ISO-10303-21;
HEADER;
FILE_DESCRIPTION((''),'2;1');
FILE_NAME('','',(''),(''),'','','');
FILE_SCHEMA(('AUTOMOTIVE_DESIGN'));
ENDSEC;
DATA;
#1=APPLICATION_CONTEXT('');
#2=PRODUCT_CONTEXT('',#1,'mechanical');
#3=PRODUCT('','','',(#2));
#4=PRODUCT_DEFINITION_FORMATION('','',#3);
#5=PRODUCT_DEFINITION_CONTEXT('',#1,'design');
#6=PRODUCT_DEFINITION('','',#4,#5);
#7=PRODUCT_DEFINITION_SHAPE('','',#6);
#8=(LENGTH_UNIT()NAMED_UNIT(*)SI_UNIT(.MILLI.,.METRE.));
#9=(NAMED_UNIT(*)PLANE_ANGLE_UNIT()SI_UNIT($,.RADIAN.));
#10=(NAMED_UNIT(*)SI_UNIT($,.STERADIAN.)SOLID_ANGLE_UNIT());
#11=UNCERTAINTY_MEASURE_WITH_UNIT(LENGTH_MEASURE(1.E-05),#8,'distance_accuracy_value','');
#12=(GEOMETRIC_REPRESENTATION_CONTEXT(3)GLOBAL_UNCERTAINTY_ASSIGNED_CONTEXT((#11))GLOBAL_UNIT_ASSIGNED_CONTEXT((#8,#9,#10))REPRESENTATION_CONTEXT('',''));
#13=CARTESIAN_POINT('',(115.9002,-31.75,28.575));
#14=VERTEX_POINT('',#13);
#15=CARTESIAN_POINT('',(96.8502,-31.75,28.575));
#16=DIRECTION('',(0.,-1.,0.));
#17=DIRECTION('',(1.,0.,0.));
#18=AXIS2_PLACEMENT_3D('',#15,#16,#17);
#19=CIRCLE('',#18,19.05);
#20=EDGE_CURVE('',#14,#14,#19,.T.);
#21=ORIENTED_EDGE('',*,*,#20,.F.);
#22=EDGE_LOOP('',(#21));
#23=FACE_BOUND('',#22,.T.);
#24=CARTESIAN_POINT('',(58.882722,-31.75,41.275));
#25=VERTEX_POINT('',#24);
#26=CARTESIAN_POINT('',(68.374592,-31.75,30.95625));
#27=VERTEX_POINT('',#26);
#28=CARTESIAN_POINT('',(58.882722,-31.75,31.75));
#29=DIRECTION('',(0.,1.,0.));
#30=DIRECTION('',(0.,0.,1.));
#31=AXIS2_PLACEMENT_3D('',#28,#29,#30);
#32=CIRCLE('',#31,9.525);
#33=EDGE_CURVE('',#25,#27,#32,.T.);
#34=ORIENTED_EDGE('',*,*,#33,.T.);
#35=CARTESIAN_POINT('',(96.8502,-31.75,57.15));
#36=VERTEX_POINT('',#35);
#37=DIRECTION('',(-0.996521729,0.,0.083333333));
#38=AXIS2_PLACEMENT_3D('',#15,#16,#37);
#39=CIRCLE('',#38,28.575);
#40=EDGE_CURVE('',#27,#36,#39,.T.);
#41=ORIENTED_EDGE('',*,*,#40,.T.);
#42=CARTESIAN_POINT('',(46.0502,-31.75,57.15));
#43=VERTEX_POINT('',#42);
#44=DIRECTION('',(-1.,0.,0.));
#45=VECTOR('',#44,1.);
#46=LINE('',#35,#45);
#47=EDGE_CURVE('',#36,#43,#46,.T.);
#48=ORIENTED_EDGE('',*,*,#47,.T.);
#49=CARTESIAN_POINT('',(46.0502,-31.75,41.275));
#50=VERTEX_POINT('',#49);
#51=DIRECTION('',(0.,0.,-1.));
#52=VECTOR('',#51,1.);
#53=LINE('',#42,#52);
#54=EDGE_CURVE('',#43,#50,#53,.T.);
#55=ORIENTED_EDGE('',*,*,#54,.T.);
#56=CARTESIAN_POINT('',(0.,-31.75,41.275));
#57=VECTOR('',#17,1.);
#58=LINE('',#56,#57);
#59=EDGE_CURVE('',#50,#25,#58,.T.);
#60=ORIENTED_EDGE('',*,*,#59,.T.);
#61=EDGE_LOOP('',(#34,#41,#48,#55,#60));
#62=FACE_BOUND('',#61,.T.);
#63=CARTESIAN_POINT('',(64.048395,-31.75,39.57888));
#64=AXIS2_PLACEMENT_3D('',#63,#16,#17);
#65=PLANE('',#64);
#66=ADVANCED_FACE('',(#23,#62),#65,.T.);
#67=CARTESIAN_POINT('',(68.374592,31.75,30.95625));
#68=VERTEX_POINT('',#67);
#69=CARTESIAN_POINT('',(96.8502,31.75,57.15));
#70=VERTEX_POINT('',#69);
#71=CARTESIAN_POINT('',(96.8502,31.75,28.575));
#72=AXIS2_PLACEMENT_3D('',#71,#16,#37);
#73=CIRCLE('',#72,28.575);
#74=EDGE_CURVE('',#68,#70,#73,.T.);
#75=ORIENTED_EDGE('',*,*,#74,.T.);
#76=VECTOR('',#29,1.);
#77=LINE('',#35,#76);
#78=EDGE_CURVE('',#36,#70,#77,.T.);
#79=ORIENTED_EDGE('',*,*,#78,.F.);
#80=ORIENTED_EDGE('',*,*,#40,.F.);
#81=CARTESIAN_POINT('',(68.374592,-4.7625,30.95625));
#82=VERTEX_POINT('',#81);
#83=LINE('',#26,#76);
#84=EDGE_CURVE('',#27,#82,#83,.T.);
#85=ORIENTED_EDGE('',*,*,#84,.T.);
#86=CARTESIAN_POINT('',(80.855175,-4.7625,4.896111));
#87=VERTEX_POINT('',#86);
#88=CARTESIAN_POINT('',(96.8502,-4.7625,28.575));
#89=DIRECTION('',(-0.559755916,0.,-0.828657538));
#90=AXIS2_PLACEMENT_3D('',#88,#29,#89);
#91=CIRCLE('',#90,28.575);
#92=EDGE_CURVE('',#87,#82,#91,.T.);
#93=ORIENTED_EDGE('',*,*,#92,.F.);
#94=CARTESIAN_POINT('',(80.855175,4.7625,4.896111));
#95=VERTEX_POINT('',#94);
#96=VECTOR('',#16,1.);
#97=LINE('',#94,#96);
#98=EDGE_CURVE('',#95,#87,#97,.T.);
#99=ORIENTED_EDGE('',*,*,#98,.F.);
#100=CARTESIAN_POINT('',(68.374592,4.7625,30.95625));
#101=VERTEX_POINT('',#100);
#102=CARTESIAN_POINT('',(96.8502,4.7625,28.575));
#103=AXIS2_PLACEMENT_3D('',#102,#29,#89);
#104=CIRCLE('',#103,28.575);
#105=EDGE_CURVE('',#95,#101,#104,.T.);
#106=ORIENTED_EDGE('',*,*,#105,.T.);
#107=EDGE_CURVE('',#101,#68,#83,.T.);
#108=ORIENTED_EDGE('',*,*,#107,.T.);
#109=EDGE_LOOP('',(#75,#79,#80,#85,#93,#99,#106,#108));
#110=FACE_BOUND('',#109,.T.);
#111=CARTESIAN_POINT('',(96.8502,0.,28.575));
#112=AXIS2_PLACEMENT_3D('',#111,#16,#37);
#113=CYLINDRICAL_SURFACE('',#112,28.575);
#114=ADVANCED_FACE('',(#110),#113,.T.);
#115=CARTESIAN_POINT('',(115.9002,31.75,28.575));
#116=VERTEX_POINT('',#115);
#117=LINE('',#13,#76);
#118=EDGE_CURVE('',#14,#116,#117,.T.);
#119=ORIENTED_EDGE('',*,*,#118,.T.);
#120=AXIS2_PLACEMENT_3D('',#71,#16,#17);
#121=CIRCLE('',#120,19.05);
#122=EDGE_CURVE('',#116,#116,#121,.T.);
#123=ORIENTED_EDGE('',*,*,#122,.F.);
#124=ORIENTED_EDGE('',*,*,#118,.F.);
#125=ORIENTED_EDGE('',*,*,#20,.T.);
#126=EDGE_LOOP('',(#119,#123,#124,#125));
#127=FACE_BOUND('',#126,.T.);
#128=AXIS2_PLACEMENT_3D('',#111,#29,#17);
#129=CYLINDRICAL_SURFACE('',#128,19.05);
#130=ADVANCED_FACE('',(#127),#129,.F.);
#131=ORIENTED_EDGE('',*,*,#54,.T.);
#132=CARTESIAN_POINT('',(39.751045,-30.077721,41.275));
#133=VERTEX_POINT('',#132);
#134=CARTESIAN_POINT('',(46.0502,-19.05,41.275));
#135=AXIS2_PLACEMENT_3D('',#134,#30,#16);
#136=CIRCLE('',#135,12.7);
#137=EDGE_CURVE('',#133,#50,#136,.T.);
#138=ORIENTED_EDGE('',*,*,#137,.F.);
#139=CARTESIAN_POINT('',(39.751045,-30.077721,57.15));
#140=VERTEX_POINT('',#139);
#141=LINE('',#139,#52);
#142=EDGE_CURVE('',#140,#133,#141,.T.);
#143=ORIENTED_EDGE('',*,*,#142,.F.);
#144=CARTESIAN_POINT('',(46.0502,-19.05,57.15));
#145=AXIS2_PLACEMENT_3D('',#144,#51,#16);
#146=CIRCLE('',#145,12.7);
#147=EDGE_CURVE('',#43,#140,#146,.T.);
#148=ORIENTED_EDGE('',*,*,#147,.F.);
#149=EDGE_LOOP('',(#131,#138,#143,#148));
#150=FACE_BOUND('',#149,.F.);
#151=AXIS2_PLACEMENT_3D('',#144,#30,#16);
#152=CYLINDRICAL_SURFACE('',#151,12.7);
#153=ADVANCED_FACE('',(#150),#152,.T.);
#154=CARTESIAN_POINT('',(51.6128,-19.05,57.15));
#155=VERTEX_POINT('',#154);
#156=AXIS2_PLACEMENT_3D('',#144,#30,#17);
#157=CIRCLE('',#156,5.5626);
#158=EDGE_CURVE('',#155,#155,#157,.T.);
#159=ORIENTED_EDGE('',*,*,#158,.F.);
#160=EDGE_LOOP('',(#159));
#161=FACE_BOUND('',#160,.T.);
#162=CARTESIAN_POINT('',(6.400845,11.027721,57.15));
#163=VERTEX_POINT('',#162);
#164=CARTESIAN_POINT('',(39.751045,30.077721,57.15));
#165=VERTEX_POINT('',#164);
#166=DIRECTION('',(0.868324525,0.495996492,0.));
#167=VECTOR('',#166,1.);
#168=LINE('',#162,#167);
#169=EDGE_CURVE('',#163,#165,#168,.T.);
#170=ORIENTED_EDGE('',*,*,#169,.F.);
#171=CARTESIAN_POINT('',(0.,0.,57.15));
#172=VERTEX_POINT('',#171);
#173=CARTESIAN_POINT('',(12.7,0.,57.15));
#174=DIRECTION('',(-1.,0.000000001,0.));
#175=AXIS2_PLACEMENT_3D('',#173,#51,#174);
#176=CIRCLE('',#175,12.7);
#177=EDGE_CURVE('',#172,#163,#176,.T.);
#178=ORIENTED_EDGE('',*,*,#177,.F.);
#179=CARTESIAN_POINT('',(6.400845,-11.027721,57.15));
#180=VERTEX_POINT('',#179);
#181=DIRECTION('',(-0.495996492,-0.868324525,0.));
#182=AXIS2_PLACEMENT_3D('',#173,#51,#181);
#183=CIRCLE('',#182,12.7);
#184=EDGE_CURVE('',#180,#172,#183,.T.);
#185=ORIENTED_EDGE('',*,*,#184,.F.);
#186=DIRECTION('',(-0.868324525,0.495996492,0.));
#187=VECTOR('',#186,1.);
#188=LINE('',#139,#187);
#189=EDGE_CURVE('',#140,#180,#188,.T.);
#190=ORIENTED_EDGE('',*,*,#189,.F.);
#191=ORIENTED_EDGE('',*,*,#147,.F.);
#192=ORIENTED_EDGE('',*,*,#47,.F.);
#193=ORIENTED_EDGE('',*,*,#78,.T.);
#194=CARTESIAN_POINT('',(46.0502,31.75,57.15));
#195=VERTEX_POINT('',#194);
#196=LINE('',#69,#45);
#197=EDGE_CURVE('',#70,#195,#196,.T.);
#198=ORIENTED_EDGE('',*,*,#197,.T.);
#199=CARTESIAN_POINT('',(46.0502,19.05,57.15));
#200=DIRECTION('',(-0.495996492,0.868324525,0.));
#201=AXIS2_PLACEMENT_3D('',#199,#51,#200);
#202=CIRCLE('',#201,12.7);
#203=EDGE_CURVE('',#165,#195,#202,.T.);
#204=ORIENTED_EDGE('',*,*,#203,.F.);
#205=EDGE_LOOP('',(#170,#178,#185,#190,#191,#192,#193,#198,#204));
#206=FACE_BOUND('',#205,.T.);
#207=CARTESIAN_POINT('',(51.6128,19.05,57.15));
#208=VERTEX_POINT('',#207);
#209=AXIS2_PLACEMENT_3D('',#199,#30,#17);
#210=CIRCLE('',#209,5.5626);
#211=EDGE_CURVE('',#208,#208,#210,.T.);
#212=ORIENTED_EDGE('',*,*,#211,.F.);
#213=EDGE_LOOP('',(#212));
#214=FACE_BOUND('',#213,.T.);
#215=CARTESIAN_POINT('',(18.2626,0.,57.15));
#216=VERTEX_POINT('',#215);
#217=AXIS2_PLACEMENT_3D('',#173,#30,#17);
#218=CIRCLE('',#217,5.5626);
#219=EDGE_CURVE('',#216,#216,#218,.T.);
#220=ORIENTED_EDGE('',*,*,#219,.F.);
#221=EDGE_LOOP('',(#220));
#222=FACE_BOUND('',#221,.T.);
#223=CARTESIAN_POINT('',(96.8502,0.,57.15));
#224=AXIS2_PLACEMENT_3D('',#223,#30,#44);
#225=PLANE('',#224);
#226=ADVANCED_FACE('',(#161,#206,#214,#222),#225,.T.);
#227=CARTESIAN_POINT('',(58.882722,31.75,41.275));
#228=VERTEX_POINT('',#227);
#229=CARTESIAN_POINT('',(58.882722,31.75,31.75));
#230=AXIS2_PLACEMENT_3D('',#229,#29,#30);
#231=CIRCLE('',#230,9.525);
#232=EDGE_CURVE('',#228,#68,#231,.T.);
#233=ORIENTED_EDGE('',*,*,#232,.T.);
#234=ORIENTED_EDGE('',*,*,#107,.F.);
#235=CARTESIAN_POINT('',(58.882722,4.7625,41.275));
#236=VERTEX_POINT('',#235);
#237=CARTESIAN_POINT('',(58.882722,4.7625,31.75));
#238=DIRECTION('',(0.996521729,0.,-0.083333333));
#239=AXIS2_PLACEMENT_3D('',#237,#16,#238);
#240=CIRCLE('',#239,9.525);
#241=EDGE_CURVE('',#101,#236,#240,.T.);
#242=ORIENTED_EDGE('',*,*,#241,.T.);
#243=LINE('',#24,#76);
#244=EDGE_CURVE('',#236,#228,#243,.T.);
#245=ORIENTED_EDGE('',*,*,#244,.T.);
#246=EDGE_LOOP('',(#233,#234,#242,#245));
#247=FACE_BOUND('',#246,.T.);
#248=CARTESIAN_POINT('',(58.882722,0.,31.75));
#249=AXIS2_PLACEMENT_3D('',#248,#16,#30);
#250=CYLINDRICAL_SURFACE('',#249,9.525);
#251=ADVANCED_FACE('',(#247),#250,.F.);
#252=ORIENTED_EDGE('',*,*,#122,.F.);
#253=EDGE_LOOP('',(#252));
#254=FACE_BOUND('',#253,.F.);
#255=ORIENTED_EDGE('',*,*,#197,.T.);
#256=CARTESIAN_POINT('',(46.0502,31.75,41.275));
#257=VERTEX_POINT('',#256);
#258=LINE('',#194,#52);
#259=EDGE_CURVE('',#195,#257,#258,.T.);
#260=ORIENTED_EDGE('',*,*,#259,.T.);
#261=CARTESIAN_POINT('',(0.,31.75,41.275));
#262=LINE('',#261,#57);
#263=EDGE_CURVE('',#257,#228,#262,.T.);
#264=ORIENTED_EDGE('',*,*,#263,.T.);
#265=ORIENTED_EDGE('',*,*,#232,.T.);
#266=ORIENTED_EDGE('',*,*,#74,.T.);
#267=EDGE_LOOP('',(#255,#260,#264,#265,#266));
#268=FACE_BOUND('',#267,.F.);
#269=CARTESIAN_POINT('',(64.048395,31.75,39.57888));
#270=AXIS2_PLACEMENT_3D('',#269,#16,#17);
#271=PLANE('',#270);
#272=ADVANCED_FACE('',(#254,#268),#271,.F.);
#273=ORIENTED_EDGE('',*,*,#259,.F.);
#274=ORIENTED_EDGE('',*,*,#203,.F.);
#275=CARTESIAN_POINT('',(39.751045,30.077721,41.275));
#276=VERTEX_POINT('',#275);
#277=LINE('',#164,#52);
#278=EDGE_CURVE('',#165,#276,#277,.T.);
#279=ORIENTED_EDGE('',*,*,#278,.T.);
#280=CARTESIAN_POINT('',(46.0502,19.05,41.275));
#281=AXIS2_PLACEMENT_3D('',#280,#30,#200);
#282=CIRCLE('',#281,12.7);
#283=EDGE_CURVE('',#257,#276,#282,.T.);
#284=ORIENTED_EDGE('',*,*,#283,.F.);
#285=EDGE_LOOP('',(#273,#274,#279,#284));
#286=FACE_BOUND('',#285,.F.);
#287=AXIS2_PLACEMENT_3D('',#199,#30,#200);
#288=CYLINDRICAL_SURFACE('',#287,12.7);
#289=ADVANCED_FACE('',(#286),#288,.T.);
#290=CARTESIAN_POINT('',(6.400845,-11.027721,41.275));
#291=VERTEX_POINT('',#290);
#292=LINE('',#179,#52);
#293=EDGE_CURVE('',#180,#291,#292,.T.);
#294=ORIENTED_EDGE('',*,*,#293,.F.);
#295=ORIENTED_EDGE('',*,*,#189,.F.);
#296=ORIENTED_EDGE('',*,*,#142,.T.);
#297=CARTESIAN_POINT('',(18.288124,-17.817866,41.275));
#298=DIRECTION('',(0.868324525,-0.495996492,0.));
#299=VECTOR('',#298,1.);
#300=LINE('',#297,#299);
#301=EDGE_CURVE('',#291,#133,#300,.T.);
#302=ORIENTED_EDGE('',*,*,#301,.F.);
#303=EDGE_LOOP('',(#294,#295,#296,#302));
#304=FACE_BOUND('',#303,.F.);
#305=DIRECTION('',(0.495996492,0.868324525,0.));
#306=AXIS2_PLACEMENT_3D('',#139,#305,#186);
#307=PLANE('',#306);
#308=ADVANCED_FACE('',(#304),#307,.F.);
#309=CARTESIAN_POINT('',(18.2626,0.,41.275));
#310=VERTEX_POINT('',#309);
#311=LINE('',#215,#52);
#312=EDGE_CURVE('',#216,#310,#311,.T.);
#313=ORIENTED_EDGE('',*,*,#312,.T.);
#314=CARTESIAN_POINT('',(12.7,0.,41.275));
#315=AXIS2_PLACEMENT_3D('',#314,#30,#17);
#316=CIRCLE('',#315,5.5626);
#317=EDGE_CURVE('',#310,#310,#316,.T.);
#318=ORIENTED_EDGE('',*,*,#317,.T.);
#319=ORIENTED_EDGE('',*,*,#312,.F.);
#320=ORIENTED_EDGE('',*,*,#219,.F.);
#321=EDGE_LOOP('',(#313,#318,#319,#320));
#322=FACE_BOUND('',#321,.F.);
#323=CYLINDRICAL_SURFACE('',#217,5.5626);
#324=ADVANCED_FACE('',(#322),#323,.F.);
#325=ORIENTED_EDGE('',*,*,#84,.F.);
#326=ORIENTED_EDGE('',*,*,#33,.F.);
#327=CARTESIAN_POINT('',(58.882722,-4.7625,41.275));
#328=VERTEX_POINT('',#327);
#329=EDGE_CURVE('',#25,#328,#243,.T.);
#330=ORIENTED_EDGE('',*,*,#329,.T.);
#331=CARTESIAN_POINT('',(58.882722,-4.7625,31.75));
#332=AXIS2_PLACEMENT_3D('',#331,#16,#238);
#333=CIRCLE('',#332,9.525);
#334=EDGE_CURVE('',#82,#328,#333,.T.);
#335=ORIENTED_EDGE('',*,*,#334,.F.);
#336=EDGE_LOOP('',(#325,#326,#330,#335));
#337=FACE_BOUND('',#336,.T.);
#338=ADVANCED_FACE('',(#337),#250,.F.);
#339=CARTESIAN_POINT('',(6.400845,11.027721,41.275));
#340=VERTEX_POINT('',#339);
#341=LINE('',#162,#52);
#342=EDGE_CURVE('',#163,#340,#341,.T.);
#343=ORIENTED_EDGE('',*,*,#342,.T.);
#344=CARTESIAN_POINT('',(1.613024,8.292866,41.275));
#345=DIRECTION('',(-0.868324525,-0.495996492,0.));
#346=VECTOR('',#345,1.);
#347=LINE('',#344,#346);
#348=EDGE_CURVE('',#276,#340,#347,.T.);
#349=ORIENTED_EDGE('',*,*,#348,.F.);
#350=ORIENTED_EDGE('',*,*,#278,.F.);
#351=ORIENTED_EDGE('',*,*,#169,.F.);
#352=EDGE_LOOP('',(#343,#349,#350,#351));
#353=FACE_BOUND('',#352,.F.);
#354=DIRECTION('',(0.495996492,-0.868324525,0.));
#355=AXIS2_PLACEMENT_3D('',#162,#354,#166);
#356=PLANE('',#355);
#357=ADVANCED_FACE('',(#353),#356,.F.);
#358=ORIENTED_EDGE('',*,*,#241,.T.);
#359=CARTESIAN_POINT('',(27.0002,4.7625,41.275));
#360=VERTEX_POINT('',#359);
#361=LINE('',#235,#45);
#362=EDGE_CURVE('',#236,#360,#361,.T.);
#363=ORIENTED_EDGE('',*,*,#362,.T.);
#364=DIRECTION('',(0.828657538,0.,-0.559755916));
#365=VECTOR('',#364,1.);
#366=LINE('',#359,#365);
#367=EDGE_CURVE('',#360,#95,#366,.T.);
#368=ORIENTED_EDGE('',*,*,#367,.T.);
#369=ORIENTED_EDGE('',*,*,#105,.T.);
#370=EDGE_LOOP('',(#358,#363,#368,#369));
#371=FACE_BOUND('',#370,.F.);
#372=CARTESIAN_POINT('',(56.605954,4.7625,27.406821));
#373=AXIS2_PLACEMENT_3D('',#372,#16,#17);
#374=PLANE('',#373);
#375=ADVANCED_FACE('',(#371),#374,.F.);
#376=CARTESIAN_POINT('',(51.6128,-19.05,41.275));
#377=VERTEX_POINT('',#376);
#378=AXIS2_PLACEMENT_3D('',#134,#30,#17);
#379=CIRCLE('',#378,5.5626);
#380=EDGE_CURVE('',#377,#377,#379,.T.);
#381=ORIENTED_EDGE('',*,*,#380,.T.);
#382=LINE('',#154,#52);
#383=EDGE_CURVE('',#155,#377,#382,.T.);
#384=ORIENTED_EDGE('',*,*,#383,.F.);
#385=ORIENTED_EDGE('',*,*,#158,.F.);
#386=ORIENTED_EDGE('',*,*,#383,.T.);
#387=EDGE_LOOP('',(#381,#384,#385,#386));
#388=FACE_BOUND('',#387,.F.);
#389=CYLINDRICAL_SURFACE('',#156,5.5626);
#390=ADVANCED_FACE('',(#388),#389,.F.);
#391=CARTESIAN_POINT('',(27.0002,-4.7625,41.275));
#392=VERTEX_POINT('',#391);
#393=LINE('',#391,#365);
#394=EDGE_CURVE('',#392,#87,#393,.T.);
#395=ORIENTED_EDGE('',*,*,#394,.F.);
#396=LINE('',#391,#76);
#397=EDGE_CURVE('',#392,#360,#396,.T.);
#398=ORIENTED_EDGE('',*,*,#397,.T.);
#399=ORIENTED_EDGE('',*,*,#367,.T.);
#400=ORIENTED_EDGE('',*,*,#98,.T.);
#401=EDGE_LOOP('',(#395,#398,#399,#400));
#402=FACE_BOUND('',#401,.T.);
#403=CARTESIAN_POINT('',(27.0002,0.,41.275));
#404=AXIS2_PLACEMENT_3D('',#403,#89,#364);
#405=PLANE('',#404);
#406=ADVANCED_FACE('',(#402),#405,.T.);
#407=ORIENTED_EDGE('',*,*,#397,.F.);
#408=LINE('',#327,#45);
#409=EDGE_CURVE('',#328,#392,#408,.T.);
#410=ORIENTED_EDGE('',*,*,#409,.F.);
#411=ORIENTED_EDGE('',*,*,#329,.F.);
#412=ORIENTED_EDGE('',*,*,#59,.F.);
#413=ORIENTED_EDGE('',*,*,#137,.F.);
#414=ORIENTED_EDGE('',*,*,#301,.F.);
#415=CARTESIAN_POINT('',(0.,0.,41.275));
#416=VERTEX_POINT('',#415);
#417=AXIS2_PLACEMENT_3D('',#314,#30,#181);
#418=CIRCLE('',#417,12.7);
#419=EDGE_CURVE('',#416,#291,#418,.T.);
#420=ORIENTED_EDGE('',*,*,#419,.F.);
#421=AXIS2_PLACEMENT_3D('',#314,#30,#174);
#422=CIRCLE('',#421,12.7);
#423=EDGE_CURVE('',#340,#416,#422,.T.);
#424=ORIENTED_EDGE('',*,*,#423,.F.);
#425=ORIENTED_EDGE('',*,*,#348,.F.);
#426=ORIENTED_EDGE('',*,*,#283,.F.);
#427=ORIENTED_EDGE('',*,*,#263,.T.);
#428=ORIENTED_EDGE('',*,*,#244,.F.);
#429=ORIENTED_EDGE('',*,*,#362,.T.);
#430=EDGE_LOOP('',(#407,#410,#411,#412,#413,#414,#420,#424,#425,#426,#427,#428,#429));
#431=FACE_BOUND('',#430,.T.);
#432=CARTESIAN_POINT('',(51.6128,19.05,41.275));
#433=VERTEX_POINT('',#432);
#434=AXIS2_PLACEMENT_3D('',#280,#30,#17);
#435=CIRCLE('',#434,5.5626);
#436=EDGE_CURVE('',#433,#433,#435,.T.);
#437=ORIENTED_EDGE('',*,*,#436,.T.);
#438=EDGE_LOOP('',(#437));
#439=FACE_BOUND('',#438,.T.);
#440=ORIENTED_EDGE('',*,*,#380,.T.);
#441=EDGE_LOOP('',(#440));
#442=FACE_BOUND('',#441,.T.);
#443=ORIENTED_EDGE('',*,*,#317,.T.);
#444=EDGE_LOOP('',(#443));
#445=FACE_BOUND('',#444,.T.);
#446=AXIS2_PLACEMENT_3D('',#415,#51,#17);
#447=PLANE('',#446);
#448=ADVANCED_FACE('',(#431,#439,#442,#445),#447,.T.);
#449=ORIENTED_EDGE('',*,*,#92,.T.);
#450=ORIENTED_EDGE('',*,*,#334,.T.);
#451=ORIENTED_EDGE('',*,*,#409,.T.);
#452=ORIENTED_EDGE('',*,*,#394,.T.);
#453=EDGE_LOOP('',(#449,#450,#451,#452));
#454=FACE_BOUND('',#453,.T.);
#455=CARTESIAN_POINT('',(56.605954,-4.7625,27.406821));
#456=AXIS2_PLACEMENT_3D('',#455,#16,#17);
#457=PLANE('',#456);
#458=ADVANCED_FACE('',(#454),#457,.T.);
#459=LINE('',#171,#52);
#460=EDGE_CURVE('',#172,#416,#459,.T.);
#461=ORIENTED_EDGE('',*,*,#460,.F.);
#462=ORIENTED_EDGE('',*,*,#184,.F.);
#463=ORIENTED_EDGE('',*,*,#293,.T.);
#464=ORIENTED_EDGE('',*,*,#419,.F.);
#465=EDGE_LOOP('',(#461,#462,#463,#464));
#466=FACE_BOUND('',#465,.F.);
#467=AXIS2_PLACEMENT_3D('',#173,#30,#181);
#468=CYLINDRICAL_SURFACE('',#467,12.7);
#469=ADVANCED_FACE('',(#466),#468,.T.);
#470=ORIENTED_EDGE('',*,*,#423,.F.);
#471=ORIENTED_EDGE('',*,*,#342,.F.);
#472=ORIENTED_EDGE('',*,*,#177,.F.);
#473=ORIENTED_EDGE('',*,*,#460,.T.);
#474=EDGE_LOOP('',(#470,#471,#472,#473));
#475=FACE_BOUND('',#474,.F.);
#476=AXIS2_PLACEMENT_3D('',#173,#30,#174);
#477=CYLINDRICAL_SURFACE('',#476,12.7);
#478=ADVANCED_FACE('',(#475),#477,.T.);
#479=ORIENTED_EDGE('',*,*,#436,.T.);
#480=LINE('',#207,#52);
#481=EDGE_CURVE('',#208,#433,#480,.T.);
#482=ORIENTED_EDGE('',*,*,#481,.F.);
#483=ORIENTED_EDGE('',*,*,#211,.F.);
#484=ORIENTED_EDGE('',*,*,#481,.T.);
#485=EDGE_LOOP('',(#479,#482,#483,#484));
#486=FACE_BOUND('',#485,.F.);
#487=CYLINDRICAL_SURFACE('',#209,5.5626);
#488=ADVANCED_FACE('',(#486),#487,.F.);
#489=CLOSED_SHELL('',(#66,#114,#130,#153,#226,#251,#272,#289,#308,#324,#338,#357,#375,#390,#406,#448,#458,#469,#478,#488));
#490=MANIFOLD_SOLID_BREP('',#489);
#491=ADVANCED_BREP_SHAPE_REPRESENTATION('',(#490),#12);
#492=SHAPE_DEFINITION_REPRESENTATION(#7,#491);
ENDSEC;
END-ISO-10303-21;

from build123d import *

# Parameters (mm, degrees)
F0_R     = 19.05
F1_DEPTH = 31.75
F2_DEPTH = 4.7625
F4_DEPTH = 57.151
F3_R     = 5.5626
F5_DEPTH = 57.151


with BuildPart() as f1:
    # F0 (on Front) → F1 (new body, symmetric)
    with BuildSketch(Plane.XZ):
        with BuildLine():
            Line((96.8502, 57.15), (0, 57.15))
            Line((0, 57.15), (0, 41.275))
            Line((0, 41.275), (27.0002, 41.275))
            Line((27.0002, 41.275), (58.8827221407, 41.275))
            ThreePointArc((58.8827221407, 41.275), (65.8929323283, 38.1984554837), (68.3745916055, 30.95625))
            ThreePointArc((68.3745916055, 30.95625), (71.0782767463, 16.2324477191), (80.8551747025, 4.8961108636))
            ThreePointArc((80.8551747025, 4.8961108636), (124.1737693319, 20.2111979959), (96.8502, 57.15))
        make_face()
        with Locations((96.8502, 28.575)):
            Circle(F0_R, mode=Mode.SUBTRACT)
    extrude(amount=F1_DEPTH, both=True)

    # F0 (on Front) → F2 (join, symmetric)
    with BuildSketch(Plane.XZ):
        with BuildLine():
            Line((27.0002, 41.275), (80.8551747025, 4.8961108636))
            ThreePointArc((80.8551747025, 4.8961108636), (71.0782767463, 16.2324477191), (68.3745916055, 30.95625))
            ThreePointArc((68.3745916055, 30.95625), (65.8929323283, 38.1984554837), (58.8827221407, 41.275))
            Line((58.8827221407, 41.275), (27.0002, 41.275))
        make_face()
    extrude(amount=F2_DEPTH, both=True)

    # F3 (on face) → F4 (cut, through all)
    with BuildSketch(Plane.XY.offset(57.15)):
        with BuildLine():
            ThreePointArc((0, 1.86e-08), (1.7161647423, 6.3753715996), (6.4008445559, 11.0277214642))
            Line((6.4008445559, 11.0277214642), (39.7510445559, 30.0777214642))
            ThreePointArc((39.7510445559, 30.0777214642), (42.7915240875, 31.3248128824), (46.0502, 31.75))
            Line((46.0502, 31.75), (0, 31.75))
            Line((0, 31.75), (0, 1.86e-08))
        make_face()
        with BuildLine():
            ThreePointArc((6.4008445559, -11.0277214642), (1.716164733, -6.3753715835), (0, 1.86e-08))
            Line((0, 1.86e-08), (0, -31.75))
            Line((0, -31.75), (46.0502, -31.75))
            ThreePointArc((46.0502, -31.75), (42.7915240875, -31.3248128824), (39.7510445559, -30.0777214642))
            Line((39.7510445559, -30.0777214642), (6.4008445559, -11.0277214642))
        make_face()
    extrude(amount=-F4_DEPTH, mode=Mode.SUBTRACT)

    # F3 (on face) → F5 (cut, through all)
    with BuildSketch(Plane.XY.offset(57.15)):
        with Locations((12.7, 0)):
            Circle(F3_R)
        with Locations((46.0502, 19.05)):
            Circle(F3_R)
        with Locations((46.0502, -19.05)):
            Circle(F3_R)
    extrude(amount=-F5_DEPTH, mode=Mode.SUBTRACT)


solid = f1.part
